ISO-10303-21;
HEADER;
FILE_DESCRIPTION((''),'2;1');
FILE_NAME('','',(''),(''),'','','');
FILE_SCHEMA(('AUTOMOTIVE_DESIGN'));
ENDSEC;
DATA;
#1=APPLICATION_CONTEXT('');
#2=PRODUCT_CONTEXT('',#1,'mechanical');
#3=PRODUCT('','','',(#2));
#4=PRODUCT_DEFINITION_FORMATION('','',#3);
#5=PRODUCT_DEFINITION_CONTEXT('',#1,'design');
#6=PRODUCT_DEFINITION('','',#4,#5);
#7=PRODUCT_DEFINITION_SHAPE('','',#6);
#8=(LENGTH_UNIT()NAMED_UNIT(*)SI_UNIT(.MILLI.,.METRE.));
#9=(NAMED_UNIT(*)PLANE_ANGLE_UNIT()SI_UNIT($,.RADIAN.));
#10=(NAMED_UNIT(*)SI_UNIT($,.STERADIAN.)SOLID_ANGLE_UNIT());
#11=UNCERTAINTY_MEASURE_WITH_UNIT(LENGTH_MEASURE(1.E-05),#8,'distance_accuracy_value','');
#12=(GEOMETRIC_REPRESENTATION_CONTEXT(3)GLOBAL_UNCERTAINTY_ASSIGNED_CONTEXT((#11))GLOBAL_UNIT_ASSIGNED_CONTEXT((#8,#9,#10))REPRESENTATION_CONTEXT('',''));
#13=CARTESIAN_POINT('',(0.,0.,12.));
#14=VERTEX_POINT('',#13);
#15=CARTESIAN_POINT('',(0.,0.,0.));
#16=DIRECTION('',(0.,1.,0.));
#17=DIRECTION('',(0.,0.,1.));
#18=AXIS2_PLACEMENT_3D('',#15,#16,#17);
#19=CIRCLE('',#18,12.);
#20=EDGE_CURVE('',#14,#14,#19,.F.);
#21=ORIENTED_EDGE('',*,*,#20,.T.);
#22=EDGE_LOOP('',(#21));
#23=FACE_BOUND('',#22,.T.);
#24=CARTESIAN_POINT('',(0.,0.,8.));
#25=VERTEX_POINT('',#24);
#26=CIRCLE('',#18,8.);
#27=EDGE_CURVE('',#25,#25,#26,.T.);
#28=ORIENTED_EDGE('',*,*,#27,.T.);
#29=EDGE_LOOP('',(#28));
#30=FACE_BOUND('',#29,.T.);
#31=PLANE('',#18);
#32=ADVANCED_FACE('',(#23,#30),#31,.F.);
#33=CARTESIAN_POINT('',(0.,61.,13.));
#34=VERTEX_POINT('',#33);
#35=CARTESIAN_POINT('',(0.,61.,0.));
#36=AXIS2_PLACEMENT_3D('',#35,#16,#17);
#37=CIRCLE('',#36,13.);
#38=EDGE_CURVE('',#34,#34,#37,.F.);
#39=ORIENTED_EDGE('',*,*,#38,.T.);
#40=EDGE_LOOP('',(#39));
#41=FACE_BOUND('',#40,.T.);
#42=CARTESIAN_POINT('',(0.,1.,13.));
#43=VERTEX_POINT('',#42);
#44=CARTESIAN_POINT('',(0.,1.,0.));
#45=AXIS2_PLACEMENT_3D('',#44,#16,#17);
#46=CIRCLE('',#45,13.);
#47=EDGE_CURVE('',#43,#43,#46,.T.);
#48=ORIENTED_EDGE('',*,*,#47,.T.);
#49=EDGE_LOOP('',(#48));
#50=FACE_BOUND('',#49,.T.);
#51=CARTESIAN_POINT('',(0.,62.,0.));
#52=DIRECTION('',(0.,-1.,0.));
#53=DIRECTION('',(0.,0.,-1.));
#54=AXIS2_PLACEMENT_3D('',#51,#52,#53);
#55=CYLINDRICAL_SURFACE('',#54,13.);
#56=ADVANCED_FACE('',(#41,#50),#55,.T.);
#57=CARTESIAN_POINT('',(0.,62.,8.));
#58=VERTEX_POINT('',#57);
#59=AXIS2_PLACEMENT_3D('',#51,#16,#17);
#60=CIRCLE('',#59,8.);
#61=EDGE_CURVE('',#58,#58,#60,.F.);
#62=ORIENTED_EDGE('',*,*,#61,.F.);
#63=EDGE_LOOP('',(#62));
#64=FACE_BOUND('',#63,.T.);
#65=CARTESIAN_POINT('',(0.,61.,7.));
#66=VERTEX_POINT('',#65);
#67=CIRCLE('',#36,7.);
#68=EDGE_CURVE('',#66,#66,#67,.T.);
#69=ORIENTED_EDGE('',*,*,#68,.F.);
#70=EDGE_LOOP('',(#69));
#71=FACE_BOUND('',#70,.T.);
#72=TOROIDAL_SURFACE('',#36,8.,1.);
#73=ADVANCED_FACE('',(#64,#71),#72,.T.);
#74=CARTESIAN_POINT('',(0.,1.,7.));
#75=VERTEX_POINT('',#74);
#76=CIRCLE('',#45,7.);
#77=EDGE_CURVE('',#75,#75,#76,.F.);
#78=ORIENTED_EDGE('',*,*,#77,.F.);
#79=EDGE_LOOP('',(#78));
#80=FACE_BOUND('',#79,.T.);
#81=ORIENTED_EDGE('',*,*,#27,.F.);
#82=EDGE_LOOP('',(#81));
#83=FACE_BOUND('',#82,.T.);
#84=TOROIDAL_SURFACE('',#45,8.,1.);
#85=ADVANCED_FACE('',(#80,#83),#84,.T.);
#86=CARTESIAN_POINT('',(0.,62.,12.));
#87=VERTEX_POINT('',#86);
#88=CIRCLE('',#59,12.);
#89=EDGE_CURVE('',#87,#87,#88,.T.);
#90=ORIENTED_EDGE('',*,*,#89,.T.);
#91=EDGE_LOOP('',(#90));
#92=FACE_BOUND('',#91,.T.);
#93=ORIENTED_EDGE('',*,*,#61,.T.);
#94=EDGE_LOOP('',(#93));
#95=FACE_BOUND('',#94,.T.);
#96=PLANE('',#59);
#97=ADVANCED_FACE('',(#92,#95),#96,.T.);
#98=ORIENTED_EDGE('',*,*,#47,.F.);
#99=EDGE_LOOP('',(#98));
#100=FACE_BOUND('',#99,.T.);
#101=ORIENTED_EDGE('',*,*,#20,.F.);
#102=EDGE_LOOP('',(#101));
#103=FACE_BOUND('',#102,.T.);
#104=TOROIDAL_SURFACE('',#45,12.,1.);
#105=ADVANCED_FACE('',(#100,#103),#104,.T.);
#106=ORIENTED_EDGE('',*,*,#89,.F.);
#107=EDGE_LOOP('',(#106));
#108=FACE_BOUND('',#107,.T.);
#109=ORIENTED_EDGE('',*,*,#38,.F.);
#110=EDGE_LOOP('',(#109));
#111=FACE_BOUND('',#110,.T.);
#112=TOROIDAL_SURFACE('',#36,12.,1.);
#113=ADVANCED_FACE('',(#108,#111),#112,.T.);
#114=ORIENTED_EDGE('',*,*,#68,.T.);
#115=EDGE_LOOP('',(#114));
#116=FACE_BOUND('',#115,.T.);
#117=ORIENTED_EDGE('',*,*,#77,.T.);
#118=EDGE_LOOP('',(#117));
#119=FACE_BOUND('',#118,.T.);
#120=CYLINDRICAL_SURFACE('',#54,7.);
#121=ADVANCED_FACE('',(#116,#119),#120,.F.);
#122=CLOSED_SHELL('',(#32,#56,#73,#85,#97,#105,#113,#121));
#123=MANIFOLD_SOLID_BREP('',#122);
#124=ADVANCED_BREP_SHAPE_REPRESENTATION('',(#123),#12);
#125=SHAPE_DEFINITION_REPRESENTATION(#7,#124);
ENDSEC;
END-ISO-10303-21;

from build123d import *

# Parameters (mm, degrees)
SKETCH1_R           = 13
SKETCH1_R_2         = 7
BOSS_EXTRUDE1_DEPTH = 62
FILLET2_R           = 1
FILLET3_R           = 1


with BuildPart() as part:
    # Sketch1 → Boss-Extrude1 (new body)
    with BuildSketch(Plane(origin=(0, 0, 0), x_dir=(1, 0, 0), z_dir=(0, 1, 0))):
        with Locations(Location((0, 0, 0), (0, 0, 270))):
            Circle(SKETCH1_R)
        with Locations(Location((0, 0, 0), (0, 0, 270))):
            Circle(SKETCH1_R_2, mode=Mode.SUBTRACT)
    extrude(amount=BOSS_EXTRUDE1_DEPTH)

    # Fillet2
    fillet2_edges = [part.edges().sort_by_distance(p)[0] for p in [
        (0, 0, -13),
        (0, 62, -13),
    ]]
    fillet(fillet2_edges, radius=FILLET2_R)

    # Fillet3
    fillet3_edges = [part.edges().sort_by_distance(p)[0] for p in [
        (0, 0, -7),
        (0, 62, -7),
    ]]
    fillet(fillet3_edges, radius=FILLET3_R)


solid = part.part
